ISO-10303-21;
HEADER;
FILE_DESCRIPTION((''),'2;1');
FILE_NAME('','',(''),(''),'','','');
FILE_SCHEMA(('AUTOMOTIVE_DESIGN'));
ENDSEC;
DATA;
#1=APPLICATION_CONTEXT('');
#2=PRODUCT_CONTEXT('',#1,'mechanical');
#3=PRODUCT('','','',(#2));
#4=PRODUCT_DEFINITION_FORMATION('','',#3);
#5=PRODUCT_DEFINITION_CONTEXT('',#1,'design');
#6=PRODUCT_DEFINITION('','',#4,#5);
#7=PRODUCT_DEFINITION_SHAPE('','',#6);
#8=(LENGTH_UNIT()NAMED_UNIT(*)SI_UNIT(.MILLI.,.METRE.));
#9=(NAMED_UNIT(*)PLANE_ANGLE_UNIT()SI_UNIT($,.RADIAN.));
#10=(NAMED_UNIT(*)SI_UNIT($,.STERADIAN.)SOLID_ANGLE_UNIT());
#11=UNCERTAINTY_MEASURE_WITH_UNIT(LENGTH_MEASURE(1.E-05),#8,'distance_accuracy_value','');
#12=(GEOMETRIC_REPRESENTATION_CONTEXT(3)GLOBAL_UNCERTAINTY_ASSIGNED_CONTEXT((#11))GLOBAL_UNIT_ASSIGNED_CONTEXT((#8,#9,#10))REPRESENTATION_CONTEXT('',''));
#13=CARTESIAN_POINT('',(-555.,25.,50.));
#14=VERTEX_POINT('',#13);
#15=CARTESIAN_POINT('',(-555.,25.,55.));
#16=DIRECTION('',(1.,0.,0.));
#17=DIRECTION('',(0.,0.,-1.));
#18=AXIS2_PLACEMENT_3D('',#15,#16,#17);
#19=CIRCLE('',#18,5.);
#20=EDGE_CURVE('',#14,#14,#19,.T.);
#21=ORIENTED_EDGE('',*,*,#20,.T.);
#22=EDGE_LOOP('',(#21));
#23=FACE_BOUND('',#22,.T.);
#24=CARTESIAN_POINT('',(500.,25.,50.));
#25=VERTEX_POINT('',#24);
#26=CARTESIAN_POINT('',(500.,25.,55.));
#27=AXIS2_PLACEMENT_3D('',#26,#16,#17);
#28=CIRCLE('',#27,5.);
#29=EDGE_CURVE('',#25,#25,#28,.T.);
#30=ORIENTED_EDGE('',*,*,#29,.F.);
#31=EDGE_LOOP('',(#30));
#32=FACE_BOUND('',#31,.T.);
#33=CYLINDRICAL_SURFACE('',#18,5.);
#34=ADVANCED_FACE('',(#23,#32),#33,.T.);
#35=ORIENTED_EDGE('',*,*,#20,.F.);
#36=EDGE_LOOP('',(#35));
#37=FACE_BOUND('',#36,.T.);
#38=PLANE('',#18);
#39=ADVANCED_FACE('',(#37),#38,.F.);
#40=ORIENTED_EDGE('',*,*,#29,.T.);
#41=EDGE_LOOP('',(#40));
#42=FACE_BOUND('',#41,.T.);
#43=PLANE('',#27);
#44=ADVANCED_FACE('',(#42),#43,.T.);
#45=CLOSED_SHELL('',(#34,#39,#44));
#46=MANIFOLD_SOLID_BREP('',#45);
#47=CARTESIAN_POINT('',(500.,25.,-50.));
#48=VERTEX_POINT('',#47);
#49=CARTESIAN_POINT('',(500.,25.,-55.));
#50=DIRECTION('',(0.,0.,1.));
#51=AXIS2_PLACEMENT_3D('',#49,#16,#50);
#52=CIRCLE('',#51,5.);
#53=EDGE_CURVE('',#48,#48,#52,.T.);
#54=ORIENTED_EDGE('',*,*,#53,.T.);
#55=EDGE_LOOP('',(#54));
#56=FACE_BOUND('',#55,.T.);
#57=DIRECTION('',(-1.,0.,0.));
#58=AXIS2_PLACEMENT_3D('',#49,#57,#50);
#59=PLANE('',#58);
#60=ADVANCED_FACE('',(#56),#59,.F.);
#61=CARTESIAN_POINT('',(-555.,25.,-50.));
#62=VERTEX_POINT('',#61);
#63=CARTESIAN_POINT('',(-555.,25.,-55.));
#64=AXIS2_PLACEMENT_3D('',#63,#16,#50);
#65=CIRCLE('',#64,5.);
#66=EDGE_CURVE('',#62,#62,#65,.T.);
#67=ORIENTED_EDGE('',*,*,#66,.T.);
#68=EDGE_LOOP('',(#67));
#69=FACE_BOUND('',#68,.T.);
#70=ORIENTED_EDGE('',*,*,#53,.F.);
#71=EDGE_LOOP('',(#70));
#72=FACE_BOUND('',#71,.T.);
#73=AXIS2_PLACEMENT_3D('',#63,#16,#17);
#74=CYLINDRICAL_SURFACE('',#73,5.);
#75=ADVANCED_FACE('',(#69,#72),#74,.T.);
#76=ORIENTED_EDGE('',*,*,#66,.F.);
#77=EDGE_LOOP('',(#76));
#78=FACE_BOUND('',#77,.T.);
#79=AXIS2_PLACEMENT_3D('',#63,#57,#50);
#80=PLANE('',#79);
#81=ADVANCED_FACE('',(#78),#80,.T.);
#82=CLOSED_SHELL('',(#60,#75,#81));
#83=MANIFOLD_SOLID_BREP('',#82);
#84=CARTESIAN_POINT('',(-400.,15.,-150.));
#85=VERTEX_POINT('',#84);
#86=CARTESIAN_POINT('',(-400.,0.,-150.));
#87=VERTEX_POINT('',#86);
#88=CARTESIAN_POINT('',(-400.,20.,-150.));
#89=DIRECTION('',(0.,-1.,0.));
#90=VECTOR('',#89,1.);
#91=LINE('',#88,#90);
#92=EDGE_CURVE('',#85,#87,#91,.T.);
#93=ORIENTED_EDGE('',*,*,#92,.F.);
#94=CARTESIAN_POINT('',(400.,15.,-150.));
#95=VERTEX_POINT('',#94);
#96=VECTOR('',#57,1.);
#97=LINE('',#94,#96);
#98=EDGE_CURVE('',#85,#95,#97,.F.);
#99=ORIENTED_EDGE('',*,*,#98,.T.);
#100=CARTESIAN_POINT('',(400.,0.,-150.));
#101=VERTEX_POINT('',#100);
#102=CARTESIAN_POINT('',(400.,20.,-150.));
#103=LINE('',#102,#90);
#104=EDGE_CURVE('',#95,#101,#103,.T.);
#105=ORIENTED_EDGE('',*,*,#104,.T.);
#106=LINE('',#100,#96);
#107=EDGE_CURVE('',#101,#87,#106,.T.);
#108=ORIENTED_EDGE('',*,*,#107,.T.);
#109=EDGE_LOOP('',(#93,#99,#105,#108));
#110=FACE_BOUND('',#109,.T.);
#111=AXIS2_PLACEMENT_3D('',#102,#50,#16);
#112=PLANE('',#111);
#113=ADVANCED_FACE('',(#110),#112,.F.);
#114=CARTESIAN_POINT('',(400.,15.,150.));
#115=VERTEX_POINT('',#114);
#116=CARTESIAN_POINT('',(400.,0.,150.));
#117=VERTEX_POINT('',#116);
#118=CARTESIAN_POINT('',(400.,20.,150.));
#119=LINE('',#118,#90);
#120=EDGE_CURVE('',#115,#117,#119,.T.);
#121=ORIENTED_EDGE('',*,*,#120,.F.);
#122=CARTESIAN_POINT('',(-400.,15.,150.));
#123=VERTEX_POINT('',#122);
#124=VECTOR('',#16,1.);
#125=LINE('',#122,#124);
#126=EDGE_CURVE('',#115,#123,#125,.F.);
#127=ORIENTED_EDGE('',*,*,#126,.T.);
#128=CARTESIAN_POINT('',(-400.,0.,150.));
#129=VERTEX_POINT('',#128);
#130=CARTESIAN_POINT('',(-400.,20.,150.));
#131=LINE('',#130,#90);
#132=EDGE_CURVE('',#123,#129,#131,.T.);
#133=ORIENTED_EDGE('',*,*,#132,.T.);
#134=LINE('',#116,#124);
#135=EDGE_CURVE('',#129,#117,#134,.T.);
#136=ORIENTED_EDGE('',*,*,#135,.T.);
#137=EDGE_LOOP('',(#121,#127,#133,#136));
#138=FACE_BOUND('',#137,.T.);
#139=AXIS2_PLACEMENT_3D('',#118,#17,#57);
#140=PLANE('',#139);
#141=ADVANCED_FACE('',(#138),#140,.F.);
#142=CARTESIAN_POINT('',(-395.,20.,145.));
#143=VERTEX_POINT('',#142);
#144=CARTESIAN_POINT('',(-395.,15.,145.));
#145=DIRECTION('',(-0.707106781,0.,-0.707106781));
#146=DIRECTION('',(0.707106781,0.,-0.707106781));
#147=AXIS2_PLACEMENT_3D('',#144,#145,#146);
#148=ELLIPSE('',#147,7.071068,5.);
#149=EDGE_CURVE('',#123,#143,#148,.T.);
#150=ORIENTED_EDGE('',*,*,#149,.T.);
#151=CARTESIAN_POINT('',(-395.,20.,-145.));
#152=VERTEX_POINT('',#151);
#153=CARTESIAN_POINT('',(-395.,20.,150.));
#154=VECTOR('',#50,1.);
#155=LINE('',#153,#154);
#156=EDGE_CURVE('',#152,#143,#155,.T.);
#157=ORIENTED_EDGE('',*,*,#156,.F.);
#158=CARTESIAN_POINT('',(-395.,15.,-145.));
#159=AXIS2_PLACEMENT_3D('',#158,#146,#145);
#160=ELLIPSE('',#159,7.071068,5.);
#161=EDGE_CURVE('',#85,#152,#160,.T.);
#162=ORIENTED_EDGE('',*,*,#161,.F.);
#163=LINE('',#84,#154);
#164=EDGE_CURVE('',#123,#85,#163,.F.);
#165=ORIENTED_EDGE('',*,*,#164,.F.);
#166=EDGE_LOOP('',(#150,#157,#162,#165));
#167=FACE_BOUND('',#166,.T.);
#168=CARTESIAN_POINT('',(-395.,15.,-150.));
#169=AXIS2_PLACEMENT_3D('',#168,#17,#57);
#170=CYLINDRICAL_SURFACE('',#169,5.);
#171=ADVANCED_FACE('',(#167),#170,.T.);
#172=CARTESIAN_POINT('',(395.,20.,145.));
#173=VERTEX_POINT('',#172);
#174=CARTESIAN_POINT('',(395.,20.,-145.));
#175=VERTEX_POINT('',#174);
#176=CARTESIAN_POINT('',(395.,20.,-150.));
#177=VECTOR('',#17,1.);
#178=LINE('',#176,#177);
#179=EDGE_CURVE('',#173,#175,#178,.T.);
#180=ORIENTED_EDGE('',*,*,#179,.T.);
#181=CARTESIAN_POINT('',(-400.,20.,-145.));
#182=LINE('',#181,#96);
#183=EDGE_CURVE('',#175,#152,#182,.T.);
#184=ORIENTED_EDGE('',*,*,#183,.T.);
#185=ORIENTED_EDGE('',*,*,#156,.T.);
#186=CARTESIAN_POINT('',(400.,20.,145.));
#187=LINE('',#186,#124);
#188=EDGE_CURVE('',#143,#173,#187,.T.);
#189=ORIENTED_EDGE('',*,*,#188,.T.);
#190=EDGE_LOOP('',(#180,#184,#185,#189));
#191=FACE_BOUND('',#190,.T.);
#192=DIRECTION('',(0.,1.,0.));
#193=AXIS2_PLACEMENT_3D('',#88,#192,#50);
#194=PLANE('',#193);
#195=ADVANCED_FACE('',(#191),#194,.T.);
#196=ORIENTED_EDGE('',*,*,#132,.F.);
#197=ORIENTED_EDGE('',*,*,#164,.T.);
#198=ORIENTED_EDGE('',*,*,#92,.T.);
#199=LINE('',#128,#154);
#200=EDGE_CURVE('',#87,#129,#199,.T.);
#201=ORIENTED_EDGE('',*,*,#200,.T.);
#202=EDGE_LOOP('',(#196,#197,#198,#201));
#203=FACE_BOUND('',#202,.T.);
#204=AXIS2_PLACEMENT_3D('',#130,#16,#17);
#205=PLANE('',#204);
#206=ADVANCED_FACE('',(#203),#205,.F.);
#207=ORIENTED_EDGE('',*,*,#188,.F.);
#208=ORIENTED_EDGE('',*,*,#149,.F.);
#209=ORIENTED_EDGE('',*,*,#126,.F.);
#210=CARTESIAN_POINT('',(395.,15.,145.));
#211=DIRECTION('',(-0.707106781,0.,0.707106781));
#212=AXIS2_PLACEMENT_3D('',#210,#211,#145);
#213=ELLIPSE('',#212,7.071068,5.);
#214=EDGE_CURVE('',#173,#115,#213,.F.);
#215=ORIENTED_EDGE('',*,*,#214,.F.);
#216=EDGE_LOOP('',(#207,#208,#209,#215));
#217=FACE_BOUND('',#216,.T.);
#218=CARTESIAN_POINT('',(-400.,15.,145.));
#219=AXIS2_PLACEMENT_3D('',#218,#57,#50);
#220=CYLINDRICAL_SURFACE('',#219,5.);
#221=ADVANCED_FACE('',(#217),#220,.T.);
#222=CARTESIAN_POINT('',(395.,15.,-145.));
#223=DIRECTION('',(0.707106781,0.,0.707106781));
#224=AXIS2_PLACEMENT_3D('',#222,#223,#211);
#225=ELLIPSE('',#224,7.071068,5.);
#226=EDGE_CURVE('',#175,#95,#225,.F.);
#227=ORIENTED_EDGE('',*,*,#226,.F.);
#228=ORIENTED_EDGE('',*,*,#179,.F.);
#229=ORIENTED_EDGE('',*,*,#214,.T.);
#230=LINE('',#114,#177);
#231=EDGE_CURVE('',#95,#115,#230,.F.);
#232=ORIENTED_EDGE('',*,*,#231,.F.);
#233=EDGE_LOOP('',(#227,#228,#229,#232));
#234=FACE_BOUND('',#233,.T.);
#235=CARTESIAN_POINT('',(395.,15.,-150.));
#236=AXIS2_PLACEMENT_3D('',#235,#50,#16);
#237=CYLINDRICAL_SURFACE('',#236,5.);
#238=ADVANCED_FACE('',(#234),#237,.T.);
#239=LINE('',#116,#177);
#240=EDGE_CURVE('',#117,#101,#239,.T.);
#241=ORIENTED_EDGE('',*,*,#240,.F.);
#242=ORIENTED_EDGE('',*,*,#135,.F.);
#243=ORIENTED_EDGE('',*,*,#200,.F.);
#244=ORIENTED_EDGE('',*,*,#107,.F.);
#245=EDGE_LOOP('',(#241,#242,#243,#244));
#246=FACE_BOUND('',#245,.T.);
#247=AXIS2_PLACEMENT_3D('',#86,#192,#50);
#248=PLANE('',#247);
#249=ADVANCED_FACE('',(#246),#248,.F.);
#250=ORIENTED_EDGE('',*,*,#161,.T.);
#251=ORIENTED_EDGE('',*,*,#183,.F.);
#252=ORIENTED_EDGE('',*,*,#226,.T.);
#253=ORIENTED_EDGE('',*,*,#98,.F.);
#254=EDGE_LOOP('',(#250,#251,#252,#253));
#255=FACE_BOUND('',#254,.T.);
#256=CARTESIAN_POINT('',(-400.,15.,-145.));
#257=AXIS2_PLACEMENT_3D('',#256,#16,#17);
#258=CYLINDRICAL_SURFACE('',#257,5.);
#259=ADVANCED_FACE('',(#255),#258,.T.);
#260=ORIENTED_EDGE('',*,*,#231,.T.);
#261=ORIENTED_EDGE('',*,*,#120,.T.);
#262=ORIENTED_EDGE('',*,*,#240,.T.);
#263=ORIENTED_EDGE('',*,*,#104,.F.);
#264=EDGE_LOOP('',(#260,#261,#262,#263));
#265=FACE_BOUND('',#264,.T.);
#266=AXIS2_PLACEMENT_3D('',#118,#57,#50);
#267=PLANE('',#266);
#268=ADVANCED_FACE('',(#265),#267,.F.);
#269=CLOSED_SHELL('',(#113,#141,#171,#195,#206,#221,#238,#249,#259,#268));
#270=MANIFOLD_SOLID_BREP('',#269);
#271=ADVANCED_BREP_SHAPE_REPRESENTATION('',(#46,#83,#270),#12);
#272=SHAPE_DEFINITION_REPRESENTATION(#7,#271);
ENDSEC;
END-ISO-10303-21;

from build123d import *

# Parameters (mm, degrees)
CROQUIS1_W            = 800
CROQUIS1_H            = 300
EXTRUIR1_DEPTH        = 20
REDONDEO1_R           = 5
EXTRUIR2_DEPTH        = 500
EXTRUIR2_DEPTH_BACK   = 555
CROQUIS2_R            = 5
EXTRUIR2_2_DEPTH      = 500
EXTRUIR2_2_DEPTH_BACK = 555


with BuildPart() as part:
    # Croquis1 → Extruir1 (new body)
    with BuildSketch(Plane(origin=(0, 0, 0), x_dir=(1, 0, 0), z_dir=(0, 1, 0))):
        Rectangle(CROQUIS1_W, CROQUIS1_H)
    extrude(amount=EXTRUIR1_DEPTH)

    # Redondeo1
    redondeo1_edges = [part.edges().sort_by_distance(p)[0] for p in [
        (400, 20, 0),
        (0, 20, -150),
        (-400, 20, 0),
        (0, 20, 150),
    ]]
    fillet(redondeo1_edges, radius=REDONDEO1_R)


with BuildPart() as body_2:
    # Croquis2 → Extruir2 (new, two sides: drawn at the far end of the back side and taken through both)
    with BuildSketch(Plane(origin=(0, 0, 0), x_dir=(0, 0, -1), z_dir=(1, 0, 0)).offset(-EXTRUIR2_DEPTH_BACK)):
        with Locations((-55, 25)):
            Circle(CROQUIS2_R)
    extrude(amount=EXTRUIR2_DEPTH + EXTRUIR2_DEPTH_BACK)


with BuildPart() as body_3:
    # Croquis2 → Extruir2 2 (new, two sides: drawn at the far end of the back side and taken through both)
    with BuildSketch(Plane(origin=(0, 0, 0), x_dir=(0, 0, -1), z_dir=(1, 0, 0)).offset(-EXTRUIR2_2_DEPTH_BACK)):
        with Locations(Location((55, 25, 0), (0, 0, 180))):
            Circle(CROQUIS2_R)
    extrude(amount=EXTRUIR2_2_DEPTH + EXTRUIR2_2_DEPTH_BACK)


solid = Compound([part.part, body_2.part, body_3.part])
